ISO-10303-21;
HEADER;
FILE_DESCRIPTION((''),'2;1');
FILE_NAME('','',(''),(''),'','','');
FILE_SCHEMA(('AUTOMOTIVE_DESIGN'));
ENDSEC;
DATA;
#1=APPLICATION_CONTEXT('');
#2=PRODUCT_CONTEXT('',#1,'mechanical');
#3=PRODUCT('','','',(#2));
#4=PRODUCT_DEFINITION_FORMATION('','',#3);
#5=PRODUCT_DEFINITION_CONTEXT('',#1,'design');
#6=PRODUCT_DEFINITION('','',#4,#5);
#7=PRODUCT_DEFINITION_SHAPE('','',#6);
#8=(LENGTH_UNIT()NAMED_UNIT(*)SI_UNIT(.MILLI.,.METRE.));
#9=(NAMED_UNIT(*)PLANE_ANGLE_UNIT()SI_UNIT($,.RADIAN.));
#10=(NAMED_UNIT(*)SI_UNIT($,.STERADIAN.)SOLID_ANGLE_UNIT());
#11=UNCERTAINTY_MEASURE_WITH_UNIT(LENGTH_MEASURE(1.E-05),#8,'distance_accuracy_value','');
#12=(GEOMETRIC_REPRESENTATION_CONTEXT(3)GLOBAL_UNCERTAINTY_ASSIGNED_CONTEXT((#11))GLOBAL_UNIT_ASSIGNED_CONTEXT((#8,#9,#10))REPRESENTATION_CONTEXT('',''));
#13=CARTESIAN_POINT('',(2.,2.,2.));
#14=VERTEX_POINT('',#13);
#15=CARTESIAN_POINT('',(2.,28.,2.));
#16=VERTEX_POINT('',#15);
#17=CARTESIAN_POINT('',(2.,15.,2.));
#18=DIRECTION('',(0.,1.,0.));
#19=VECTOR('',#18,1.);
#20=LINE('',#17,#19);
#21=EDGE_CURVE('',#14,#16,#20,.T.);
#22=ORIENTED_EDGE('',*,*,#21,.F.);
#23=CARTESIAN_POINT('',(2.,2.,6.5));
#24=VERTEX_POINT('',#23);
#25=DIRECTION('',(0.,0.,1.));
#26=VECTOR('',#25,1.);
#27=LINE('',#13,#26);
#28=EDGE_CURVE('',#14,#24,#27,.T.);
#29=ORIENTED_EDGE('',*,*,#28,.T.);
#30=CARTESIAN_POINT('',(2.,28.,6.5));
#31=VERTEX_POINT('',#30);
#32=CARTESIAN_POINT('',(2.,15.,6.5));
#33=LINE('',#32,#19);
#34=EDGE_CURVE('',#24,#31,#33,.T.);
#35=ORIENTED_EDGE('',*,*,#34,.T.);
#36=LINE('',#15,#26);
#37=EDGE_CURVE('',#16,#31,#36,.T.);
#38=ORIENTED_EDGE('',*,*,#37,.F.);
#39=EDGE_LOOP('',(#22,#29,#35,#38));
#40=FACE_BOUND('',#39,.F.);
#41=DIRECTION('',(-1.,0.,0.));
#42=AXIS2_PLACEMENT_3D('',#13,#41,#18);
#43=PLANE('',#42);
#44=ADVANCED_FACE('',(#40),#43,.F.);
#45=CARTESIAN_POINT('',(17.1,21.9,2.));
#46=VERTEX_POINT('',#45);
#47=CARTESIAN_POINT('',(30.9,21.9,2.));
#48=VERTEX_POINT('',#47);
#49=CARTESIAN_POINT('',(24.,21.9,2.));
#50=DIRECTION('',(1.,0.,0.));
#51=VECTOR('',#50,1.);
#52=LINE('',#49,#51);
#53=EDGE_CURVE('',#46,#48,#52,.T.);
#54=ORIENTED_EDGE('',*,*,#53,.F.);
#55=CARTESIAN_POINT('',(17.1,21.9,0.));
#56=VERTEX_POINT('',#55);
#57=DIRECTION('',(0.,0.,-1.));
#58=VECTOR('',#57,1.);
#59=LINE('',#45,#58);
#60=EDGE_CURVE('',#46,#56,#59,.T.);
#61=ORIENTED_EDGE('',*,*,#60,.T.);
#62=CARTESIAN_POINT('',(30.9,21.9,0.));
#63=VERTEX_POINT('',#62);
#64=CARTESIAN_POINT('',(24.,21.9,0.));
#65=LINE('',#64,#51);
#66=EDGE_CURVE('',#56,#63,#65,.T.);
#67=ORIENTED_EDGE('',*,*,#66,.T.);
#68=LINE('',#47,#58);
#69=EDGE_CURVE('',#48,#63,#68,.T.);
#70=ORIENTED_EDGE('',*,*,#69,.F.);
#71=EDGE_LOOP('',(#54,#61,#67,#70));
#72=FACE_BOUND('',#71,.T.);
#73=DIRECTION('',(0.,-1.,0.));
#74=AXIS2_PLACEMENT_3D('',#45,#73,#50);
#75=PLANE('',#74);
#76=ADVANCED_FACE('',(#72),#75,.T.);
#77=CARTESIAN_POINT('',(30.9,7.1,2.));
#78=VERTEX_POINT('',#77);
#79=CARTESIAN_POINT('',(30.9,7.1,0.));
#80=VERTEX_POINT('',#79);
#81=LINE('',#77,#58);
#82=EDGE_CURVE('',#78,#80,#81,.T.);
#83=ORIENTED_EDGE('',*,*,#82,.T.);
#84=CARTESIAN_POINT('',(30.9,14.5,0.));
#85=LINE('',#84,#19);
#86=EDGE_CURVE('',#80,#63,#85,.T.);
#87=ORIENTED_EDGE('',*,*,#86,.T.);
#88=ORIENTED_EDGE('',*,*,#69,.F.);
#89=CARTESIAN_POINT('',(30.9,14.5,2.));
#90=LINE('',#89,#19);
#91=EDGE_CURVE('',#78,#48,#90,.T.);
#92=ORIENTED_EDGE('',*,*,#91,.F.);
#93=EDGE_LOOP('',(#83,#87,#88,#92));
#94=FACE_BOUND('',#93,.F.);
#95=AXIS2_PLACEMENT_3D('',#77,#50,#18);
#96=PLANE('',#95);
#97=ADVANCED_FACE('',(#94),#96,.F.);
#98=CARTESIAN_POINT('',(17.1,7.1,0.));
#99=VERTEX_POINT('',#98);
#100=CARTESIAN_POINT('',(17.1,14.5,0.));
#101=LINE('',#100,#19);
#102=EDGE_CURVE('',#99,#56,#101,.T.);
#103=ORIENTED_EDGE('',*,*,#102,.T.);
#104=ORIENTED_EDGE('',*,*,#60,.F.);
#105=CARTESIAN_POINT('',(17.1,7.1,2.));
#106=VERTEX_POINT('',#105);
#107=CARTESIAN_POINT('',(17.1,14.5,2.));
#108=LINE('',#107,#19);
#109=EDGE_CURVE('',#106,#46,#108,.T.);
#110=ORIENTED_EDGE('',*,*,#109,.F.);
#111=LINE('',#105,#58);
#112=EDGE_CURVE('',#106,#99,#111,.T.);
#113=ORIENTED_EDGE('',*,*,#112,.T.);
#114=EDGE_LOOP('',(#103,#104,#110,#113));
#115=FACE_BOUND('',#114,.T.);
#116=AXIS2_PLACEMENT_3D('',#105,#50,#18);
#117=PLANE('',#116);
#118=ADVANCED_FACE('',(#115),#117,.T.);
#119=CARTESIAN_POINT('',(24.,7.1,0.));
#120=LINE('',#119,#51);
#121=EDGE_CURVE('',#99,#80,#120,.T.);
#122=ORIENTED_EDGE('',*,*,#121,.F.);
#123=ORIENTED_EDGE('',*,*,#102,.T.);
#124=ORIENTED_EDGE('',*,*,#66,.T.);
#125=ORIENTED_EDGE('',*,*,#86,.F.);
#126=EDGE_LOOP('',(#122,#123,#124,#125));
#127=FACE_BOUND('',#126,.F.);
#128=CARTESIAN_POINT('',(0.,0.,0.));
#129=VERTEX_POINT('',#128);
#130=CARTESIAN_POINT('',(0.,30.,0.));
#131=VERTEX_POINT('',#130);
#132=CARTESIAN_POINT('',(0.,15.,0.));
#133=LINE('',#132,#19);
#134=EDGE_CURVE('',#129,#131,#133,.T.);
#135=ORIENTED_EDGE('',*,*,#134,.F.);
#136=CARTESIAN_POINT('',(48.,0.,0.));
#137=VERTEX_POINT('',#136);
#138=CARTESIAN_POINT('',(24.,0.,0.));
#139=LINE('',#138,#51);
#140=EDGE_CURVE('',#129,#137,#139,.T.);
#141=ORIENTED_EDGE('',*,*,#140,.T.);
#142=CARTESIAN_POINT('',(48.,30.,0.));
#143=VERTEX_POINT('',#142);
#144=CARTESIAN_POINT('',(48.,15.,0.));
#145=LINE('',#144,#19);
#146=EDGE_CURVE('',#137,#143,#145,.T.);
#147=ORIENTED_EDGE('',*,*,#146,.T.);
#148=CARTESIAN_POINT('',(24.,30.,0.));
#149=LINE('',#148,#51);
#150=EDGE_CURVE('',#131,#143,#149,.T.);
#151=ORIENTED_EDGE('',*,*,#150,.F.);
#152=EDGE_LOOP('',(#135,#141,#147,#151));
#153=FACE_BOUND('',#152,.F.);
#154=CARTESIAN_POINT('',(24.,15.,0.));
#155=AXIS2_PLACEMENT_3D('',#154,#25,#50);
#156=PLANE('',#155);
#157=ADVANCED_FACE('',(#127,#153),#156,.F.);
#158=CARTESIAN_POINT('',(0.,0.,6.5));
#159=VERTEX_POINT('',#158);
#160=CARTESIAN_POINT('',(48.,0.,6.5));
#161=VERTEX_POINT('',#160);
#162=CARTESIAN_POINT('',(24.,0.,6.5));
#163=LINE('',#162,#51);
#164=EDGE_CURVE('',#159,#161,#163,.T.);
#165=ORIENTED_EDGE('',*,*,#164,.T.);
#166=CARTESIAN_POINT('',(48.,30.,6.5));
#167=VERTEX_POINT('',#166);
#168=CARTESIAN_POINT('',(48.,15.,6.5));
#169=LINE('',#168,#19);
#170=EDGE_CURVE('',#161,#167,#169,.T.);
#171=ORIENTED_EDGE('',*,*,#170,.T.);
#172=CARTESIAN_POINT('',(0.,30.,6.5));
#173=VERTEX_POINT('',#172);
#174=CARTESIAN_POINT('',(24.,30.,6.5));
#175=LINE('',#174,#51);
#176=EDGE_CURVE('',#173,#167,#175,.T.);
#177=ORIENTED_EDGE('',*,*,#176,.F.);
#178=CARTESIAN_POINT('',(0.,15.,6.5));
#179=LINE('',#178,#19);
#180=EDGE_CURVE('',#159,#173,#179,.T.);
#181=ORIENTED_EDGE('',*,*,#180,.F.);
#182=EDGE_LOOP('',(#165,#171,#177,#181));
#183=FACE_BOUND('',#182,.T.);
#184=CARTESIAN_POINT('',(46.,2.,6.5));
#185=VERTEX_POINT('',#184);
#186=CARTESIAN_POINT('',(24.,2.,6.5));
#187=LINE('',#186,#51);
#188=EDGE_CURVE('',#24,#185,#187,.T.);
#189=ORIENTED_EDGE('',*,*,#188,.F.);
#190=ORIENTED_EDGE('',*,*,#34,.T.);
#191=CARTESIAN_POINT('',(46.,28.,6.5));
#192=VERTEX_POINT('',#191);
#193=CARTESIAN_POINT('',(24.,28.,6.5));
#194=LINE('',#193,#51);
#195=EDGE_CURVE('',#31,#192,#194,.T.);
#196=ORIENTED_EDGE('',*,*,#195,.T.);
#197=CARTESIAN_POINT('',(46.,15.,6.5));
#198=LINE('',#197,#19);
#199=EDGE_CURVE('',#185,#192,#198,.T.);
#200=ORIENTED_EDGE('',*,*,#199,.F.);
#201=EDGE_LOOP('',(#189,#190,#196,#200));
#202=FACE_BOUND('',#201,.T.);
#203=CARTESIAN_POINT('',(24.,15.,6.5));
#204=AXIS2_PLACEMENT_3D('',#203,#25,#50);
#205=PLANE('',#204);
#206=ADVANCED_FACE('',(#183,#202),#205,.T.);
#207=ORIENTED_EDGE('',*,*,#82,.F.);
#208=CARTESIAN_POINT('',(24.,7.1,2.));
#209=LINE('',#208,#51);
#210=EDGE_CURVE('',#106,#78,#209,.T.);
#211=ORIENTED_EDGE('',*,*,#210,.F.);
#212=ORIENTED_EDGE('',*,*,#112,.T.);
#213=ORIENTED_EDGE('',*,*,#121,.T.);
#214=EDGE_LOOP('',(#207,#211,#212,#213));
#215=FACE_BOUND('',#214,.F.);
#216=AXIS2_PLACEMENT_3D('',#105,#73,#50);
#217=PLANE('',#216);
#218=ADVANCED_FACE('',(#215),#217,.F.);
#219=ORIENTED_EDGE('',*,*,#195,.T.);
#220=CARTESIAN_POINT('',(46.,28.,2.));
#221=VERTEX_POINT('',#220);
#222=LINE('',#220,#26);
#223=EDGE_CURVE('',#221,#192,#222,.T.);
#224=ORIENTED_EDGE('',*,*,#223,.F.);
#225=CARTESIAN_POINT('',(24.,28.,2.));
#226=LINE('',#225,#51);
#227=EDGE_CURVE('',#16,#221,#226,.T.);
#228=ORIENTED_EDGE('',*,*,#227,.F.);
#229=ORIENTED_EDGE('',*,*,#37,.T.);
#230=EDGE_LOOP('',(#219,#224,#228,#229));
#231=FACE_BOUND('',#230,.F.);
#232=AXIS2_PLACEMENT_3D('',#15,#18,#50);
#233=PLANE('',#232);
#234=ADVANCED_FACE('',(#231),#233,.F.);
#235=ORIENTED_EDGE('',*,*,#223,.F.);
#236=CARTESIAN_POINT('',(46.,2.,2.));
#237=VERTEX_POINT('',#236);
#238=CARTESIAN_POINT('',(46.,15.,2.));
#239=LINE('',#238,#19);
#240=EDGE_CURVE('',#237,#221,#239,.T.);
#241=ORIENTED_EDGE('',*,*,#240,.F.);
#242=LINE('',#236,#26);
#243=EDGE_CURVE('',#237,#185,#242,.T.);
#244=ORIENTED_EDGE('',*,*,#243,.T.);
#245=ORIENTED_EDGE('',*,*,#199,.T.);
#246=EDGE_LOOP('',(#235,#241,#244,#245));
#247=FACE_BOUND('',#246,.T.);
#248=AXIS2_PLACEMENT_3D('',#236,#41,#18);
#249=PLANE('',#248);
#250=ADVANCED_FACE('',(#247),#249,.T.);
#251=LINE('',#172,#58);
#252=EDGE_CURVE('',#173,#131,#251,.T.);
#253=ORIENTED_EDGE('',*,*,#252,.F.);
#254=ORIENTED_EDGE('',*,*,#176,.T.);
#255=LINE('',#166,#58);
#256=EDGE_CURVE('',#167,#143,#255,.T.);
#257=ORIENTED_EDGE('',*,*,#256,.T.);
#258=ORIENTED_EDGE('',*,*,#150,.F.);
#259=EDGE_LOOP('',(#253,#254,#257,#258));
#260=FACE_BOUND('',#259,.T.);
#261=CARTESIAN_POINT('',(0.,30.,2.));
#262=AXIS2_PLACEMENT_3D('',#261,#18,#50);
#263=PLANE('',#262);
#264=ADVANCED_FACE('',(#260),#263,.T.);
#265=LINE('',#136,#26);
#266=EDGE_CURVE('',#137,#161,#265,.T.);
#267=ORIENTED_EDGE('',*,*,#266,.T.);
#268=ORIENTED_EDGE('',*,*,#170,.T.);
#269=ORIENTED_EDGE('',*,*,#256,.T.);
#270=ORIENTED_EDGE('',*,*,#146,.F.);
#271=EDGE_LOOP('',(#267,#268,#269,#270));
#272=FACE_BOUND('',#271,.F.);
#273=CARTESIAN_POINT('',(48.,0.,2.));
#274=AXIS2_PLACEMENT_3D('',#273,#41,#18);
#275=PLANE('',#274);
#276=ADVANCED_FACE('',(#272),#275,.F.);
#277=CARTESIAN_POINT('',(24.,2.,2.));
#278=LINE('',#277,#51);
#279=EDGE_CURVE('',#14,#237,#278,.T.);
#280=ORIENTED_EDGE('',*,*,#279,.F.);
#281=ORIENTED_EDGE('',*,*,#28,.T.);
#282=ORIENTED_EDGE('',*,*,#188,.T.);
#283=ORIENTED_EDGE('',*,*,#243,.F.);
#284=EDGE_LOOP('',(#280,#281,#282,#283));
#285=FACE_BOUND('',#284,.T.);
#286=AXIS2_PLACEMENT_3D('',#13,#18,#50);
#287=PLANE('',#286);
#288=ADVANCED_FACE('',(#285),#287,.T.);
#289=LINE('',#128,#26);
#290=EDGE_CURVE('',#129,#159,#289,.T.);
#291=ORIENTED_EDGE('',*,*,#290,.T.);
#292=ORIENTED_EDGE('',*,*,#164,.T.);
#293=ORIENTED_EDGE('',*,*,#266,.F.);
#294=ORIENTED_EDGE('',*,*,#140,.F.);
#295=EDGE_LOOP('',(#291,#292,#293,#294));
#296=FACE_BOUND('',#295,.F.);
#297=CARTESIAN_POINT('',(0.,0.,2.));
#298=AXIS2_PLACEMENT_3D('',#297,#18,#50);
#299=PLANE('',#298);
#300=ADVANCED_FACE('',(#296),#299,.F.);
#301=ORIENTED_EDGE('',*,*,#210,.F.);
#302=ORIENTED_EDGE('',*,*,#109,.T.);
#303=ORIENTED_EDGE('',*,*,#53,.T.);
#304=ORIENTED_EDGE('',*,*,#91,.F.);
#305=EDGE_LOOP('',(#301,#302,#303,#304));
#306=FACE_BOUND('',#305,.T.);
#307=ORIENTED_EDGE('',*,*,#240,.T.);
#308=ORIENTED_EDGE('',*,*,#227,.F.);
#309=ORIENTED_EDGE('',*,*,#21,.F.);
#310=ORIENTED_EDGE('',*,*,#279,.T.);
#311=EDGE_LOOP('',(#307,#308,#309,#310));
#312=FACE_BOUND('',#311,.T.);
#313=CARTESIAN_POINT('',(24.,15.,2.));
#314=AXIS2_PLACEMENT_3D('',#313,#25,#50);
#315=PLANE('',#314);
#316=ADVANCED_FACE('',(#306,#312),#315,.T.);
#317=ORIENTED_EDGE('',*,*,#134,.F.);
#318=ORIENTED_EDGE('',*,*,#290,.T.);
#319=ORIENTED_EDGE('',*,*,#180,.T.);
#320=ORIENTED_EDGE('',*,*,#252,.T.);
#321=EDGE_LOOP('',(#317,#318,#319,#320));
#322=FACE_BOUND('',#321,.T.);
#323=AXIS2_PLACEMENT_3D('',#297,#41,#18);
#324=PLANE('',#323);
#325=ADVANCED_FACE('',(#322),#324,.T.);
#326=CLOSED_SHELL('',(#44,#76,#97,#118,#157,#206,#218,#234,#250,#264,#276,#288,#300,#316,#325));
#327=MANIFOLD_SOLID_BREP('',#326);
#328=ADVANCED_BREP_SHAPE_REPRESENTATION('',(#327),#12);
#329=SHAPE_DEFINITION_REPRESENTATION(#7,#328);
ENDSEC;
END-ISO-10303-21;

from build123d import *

# Parameters (mm, degrees)
SKETCH_W      = 48
SKETCH_H      = 30
PAD_DEPTH     = 2
SKETCH001_W   = 48
SKETCH001_H   = 30
SKETCH001_W_2 = 44
SKETCH001_H_2 = 26
PAD001_DEPTH  = 4.5
SKETCH002_W   = 13.8
SKETCH002_H   = 14.8
POCKET_DEPTH  = 2


with BuildPart() as part:
    # Sketch → Pad (new body)
    with BuildSketch(Plane.XY):
        with Locations((24, 15)):
            Rectangle(SKETCH_W, SKETCH_H)
    extrude(amount=PAD_DEPTH)

    # Sketch001 (on Face6 of Pad) → Pad001 (join)
    with BuildSketch(Plane.XY.offset(2)):
        with Locations((24, 15)):
            Rectangle(SKETCH001_W, SKETCH001_H)
        with Locations((24, 15)):
            Rectangle(SKETCH001_W_2, SKETCH001_H_2, mode=Mode.SUBTRACT)
    extrude(amount=PAD001_DEPTH)

    # Sketch002 (on Face15 of Pad001) → Pocket (cut)
    with BuildSketch(Plane.XY.offset(2)):
        with Locations((24, 14.5)):
            Rectangle(SKETCH002_W, SKETCH002_H)
    extrude(amount=-POCKET_DEPTH, mode=Mode.SUBTRACT)


solid = part.part
